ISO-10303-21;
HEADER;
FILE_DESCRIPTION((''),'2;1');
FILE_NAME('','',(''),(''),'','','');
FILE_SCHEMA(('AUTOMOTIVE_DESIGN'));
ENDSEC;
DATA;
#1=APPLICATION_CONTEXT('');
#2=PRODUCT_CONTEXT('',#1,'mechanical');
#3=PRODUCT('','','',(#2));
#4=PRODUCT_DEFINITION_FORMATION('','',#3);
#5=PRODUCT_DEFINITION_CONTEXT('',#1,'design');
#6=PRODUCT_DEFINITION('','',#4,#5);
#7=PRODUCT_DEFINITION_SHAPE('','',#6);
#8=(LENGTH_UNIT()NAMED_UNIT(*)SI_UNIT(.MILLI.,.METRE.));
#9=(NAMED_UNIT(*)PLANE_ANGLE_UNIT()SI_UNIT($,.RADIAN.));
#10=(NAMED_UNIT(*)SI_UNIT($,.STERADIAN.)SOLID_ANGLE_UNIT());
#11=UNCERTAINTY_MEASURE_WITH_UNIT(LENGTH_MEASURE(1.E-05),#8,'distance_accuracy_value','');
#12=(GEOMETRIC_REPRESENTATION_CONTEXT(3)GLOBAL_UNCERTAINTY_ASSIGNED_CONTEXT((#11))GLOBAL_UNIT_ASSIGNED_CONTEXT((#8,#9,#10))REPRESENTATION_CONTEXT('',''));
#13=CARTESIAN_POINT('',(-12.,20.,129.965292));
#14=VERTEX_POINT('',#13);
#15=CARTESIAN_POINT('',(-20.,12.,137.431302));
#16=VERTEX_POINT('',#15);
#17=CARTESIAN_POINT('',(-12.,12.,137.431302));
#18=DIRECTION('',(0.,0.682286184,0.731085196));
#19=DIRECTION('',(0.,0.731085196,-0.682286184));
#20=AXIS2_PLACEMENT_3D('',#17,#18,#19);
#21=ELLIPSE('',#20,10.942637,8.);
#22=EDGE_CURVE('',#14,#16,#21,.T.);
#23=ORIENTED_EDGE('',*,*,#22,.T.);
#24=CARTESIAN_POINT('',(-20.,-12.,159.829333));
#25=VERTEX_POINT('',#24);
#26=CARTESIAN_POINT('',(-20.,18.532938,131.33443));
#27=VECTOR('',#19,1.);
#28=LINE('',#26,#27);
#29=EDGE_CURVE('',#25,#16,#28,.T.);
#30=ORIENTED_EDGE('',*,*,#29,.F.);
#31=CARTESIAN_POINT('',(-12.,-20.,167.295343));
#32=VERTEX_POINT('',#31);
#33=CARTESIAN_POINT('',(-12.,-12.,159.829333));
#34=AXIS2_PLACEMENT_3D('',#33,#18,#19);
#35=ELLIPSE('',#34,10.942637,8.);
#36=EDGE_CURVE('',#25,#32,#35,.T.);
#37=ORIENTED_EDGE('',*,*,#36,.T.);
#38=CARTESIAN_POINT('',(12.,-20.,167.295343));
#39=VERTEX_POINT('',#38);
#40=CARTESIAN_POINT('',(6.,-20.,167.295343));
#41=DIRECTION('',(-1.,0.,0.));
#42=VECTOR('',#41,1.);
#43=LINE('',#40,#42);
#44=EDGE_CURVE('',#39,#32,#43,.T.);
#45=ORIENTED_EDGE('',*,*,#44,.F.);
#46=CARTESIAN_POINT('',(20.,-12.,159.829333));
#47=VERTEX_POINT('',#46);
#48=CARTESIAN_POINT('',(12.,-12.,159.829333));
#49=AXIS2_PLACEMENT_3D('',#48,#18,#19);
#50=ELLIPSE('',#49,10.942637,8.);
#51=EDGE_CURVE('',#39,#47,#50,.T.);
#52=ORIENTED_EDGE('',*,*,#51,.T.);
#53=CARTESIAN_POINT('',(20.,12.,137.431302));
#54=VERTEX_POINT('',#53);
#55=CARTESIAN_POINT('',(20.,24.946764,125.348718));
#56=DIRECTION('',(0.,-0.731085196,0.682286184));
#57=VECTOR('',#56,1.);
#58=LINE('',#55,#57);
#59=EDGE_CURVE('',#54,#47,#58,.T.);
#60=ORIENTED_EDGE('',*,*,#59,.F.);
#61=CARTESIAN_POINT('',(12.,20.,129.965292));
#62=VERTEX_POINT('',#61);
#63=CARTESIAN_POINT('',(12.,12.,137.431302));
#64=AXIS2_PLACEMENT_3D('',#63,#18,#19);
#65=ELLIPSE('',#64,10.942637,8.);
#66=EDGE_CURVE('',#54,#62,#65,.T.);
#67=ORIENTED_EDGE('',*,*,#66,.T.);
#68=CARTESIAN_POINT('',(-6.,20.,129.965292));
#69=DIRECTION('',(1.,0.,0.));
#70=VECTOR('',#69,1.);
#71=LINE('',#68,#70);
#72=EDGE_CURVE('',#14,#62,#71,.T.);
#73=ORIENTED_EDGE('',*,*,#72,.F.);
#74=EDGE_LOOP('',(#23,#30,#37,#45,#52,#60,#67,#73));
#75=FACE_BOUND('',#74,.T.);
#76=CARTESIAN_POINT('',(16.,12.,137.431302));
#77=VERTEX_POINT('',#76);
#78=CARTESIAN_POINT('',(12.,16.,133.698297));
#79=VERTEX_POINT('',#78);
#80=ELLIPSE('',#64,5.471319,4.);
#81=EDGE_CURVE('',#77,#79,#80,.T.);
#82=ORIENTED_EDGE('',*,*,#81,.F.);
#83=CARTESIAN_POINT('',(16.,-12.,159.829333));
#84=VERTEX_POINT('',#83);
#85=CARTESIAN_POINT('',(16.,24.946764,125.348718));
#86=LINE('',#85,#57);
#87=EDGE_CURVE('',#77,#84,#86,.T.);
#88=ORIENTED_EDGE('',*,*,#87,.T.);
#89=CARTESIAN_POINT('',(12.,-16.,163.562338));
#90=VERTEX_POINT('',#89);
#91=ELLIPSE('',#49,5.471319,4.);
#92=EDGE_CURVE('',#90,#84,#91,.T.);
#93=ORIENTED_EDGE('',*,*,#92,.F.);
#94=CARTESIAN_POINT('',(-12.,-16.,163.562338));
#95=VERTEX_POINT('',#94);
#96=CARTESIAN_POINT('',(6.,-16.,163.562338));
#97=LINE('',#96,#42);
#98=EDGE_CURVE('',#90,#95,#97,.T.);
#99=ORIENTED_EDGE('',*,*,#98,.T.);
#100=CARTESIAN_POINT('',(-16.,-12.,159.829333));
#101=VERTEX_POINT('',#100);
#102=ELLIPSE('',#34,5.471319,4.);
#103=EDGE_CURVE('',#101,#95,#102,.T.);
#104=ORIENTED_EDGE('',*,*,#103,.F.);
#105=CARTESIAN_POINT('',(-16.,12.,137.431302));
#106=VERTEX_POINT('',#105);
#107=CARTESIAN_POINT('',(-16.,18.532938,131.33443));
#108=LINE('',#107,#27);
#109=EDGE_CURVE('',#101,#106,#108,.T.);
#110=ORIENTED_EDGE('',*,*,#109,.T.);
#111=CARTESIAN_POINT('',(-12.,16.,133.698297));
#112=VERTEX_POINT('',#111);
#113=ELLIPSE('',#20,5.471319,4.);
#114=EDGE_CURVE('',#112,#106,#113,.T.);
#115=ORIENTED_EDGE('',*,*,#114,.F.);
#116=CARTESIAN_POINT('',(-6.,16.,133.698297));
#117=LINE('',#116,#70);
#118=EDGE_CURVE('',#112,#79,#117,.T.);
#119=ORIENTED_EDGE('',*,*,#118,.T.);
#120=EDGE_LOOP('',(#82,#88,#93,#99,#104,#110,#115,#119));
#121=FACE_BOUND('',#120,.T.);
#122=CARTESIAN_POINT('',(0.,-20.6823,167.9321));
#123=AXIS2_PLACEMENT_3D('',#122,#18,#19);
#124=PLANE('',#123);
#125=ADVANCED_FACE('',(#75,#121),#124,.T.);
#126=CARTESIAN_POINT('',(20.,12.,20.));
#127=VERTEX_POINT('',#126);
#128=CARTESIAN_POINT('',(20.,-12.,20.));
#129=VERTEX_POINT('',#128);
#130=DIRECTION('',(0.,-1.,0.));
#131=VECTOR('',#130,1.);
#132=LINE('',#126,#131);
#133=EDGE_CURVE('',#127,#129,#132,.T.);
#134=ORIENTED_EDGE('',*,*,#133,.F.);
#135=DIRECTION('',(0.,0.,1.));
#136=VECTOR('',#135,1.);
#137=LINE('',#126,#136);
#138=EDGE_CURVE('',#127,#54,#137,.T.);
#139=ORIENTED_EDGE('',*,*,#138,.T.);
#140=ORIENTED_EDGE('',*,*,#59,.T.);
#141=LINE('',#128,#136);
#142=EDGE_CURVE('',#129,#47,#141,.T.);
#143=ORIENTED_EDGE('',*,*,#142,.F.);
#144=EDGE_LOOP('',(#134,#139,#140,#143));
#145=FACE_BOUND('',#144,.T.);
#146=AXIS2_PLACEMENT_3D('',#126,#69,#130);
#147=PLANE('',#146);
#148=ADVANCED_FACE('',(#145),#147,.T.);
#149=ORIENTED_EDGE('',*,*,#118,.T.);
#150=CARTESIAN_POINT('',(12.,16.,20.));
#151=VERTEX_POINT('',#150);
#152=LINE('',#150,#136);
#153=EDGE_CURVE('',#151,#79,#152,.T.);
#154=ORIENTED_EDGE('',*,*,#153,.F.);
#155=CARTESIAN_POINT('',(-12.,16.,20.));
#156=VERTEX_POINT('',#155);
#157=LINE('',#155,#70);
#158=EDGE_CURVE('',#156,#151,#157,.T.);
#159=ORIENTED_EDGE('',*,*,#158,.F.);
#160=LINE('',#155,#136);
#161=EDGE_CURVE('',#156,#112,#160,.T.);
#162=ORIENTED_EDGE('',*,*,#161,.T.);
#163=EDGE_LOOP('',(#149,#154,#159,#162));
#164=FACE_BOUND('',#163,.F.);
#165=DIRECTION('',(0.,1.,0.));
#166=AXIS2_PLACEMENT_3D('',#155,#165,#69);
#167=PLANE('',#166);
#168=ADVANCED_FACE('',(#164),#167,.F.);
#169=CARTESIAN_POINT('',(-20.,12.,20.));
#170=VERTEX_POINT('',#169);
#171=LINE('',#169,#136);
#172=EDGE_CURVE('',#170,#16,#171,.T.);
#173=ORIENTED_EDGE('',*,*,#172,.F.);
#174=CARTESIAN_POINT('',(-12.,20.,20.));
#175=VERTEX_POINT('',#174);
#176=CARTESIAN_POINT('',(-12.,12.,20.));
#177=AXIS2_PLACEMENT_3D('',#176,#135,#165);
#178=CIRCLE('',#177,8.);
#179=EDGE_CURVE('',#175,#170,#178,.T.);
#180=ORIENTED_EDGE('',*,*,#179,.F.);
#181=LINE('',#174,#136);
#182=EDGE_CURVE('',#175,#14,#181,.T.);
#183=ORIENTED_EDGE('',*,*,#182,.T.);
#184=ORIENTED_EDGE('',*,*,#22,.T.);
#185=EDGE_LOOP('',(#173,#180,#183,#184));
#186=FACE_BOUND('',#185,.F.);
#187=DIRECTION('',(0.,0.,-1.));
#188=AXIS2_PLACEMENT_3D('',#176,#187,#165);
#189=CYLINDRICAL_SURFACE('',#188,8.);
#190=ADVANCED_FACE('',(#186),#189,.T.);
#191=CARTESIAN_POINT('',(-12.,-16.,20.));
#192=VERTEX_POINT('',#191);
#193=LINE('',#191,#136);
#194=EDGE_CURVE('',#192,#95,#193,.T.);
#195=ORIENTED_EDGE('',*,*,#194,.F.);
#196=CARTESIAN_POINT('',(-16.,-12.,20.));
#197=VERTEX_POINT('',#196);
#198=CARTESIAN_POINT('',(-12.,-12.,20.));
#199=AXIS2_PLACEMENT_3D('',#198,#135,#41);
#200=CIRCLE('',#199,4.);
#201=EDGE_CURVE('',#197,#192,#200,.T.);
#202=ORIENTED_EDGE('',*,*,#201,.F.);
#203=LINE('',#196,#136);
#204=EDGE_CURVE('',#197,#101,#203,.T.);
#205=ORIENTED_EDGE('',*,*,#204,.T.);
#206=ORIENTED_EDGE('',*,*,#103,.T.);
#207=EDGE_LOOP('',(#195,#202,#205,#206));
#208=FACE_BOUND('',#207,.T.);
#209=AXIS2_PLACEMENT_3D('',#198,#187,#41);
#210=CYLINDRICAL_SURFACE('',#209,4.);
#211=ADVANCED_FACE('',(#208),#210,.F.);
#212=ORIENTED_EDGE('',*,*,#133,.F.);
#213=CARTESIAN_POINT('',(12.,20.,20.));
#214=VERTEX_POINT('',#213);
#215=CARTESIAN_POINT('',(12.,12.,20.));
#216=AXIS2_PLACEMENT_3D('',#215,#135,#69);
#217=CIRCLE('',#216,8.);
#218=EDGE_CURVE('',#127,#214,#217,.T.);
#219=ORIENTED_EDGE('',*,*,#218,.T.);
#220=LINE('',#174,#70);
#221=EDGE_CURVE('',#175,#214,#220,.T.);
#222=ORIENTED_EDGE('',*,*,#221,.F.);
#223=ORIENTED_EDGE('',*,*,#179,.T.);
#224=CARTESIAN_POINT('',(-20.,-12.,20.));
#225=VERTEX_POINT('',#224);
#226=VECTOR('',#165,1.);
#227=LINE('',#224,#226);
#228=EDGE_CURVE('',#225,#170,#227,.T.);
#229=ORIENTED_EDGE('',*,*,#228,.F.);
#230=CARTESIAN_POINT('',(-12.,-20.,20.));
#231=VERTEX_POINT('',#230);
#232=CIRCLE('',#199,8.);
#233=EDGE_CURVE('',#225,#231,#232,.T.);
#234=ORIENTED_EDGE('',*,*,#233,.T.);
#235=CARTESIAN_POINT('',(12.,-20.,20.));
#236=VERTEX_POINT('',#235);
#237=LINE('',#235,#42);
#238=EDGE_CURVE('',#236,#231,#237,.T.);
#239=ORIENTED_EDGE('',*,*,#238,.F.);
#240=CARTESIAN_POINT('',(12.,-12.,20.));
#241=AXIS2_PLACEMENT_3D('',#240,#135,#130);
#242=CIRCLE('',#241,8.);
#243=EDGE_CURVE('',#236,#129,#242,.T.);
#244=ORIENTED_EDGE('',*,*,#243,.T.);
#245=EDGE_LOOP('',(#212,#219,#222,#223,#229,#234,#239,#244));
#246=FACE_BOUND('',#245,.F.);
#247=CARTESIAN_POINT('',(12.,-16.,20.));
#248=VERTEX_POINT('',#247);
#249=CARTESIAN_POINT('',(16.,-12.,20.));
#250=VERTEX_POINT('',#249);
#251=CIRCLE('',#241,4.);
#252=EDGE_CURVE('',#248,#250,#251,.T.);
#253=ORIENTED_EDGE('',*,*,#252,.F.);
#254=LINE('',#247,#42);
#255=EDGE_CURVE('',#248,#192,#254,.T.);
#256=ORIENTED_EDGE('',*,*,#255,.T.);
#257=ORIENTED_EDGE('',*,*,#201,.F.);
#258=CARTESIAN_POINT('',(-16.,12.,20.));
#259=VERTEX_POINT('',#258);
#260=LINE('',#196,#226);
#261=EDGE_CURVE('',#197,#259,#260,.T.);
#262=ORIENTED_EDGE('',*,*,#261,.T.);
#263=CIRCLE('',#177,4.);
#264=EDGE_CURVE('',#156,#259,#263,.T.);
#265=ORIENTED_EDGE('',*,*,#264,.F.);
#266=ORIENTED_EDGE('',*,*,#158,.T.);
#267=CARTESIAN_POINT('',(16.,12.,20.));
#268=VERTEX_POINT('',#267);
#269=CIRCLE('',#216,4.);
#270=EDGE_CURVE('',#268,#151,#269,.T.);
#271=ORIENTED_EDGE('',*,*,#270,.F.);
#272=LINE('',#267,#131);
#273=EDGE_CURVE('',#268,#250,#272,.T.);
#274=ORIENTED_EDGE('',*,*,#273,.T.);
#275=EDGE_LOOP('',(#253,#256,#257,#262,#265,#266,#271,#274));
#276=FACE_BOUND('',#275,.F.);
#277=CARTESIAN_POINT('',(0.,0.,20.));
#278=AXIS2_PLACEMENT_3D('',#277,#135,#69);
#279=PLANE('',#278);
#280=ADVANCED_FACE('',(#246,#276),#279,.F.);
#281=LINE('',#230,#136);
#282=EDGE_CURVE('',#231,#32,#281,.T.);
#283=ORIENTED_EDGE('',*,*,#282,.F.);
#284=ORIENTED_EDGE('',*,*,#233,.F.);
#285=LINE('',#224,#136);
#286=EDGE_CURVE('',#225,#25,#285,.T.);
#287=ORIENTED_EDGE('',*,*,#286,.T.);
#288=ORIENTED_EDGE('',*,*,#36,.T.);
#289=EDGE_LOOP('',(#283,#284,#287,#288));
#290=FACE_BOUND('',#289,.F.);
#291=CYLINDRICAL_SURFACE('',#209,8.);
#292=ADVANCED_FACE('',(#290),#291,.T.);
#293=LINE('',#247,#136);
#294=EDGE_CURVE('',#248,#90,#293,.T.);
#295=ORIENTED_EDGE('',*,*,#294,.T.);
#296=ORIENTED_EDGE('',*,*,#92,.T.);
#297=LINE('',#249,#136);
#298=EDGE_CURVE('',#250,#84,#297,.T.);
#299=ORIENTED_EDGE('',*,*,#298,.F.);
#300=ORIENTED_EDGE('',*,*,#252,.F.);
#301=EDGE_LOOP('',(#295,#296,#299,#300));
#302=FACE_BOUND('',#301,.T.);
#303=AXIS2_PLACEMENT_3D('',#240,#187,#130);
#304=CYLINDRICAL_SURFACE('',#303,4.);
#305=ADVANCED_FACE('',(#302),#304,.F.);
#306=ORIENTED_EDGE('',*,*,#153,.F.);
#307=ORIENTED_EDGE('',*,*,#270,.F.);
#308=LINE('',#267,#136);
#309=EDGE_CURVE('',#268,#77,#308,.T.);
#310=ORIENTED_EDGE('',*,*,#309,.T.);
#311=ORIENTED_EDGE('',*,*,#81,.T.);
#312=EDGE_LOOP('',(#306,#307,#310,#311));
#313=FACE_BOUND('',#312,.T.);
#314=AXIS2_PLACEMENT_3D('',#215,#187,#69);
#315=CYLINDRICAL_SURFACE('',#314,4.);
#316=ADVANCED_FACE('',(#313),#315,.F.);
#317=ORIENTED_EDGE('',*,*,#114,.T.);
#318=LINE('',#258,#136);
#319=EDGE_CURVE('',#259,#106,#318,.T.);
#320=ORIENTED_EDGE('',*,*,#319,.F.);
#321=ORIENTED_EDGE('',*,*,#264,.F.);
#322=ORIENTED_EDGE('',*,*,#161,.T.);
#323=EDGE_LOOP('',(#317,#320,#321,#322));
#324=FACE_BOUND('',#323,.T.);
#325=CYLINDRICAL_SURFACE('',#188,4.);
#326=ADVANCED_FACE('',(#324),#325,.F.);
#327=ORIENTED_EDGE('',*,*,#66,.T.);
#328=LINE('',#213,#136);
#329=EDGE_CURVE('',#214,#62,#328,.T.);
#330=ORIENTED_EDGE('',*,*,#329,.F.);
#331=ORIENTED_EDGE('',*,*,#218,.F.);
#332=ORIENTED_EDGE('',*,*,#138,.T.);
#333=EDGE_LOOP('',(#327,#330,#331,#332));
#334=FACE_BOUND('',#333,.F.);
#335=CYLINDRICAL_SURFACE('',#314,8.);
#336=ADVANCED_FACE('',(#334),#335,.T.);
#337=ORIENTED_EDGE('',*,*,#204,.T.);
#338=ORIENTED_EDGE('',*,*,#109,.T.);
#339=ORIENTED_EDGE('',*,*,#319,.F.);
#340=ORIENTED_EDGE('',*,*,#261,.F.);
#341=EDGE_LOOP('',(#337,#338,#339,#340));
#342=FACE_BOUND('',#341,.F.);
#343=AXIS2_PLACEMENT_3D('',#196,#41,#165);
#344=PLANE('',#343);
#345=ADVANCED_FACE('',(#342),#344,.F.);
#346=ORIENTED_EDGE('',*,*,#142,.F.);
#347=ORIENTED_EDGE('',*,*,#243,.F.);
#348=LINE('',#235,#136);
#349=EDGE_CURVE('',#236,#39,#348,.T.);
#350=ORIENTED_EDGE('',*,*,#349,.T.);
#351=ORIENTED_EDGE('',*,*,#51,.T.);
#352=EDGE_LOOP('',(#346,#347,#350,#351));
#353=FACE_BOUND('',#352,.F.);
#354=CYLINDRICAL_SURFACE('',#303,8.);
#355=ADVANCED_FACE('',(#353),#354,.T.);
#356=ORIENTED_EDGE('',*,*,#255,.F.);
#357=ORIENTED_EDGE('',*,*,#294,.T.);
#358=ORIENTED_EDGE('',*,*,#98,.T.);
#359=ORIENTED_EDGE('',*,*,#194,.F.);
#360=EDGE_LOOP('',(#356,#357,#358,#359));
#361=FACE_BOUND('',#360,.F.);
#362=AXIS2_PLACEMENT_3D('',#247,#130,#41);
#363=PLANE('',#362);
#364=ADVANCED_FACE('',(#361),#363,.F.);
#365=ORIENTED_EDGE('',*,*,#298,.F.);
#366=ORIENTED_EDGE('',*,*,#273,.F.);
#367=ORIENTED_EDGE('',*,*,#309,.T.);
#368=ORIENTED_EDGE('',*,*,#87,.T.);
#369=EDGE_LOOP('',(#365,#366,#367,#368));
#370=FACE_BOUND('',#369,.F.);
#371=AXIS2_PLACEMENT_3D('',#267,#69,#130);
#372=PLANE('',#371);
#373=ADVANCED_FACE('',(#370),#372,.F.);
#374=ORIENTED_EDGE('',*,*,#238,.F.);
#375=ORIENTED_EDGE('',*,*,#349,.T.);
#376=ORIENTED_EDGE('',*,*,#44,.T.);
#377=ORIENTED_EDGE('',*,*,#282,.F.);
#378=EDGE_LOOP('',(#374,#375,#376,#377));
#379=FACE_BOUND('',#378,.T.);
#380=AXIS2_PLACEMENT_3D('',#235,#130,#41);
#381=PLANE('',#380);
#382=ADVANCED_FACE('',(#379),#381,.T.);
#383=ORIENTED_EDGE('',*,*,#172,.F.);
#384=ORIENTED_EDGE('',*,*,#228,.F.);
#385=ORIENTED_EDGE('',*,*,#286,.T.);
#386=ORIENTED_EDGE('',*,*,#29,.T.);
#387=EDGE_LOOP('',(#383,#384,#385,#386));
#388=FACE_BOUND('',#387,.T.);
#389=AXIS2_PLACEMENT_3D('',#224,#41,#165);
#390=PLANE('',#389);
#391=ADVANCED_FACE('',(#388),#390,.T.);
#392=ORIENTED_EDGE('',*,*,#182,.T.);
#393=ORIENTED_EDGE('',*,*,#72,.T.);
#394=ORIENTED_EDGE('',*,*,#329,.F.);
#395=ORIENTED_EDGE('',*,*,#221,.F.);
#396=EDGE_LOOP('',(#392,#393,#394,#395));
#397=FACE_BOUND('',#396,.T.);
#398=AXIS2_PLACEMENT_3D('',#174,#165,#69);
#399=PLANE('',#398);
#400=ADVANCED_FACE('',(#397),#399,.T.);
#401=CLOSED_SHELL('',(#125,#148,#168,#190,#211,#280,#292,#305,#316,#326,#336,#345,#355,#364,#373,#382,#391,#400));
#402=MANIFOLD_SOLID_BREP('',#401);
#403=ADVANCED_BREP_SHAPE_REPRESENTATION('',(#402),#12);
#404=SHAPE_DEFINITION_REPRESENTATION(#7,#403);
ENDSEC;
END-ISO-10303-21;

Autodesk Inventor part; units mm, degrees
ref_plane "Start Plane" through (0, 0, 20) normal (0, 0, 1) x (1, 0, 0)
ref_plane "End Plane" through (0, 0, 167.2955) normal (0, 0, 1) x (1, 0, 0)
sketch "Sketch" plane through (0, 0, 0) normal (0, 0, 1) x (1, 0, 0)
  line L0 (-20, -12) -> (-20, 12)
  line L1 (-12, 20) -> (12, 20)
  line L2 (20, 12) -> (20, -12)
  line L3 (12, -20) -> (-12, -20)
  arc A0 (-20, -12) -> (-12, -20) centre (-12, -12) ccw
  arc A1 (20, 12) -> (12, 20) centre (12, 12) ccw
  arc A2 (-12, 20) -> (-20, 12) centre (-12, 12) ccw
  arc A3 (12, -20) -> (20, -12) centre (12, -12) ccw
  arc A4 (-12, 16) -> (-16, 12) centre (-12, 12) ccw
  line L4 (-12, 16) -> (12, 16)
  arc A5 (16, 12) -> (12, 16) centre (12, 12) ccw
  line L5 (16, 12) -> (16, -12)
  arc A6 (12, -16) -> (16, -12) centre (12, -12) ccw
  line L6 (12, -16) -> (-12, -16)
  arc A7 (-16, -12) -> (-12, -16) centre (-12, -12) ccw
  line L7 (-16, -12) -> (-16, 12)
  line L8 (0, 30.3196) -> (0, -30.3196) construction
  line L9 (-30.3196, 0) -> (30.3196, 0) construction
  dimension "d7" = 8
  dimension "d9" = 40
  dimension "d11" = 40
  dimension "d12" = 4
  dimension "d15" = 20
  dimension "d16" = 20
extrude "Body" add sketch "Sketch" along normal up to surface (147.2955 mm away) from surface at 20
sketch "Sketch3" plane through (0, 0, 0) normal (0, 0, 1) x (1, 0, 0)
  line L0 (0, 0) -> (10, 0)
ref_plane "Work Plane3" through (0, 0, 0) normal (0, -1, 0) x (1, 0, 0)
ref_plane "Work Plane4" through (0, -20.6823, 167.9321) normal (0, 0.6823, 0.7311) x (1, 0, 0)
split "Split1" plane through (0, -20.6823, 167.9321) removes the side toward (0, 0.6823, 0.7311)
ref_plane "Work Plane5" through (-12, 6500, 20) normal (0, 0, -1) x (-1, 0, 0)
split "Split2" plane through (-12, 6500, 20) removes the side toward (0, 0, -1)
sketch "Sketch4" plane through (0, 0, 0) normal (0, -1, 0) x (1, 0, 0)
  line L0 (-2, 20) -> (12, 20) projected
  line L1 (-2, 167.2955) -> (12, 167.2955) projected
  dimension "d18" = 147.2955
equation "\"d7\" = G_IR"
equation "\"d9\" = G_W"
equation "\"d11\" = G_H"
equation "\"d12\" = G_T"
equation "\"d15\" = 0.5 * d9"
equation "\"d16\" = 0.5 * d11"
equation "\"d3\" = G_L"
equation "\"G_W\" = 40"
equation "\"G_H\" = 40"
equation "\"G_T\" = 4"
equation "\"G_IR\" = 8"
equation "\"G_L\" = d18"
equation "\"G_OFFSET_END\" = 17.29549"
equation "\"d14\" = G_OFFSET_END + B_L"
equation "\"B_L\" = 150"
properties part number "ISO 10799-2 - 40x40x4 - 147,3" material "Steel, Mild"
